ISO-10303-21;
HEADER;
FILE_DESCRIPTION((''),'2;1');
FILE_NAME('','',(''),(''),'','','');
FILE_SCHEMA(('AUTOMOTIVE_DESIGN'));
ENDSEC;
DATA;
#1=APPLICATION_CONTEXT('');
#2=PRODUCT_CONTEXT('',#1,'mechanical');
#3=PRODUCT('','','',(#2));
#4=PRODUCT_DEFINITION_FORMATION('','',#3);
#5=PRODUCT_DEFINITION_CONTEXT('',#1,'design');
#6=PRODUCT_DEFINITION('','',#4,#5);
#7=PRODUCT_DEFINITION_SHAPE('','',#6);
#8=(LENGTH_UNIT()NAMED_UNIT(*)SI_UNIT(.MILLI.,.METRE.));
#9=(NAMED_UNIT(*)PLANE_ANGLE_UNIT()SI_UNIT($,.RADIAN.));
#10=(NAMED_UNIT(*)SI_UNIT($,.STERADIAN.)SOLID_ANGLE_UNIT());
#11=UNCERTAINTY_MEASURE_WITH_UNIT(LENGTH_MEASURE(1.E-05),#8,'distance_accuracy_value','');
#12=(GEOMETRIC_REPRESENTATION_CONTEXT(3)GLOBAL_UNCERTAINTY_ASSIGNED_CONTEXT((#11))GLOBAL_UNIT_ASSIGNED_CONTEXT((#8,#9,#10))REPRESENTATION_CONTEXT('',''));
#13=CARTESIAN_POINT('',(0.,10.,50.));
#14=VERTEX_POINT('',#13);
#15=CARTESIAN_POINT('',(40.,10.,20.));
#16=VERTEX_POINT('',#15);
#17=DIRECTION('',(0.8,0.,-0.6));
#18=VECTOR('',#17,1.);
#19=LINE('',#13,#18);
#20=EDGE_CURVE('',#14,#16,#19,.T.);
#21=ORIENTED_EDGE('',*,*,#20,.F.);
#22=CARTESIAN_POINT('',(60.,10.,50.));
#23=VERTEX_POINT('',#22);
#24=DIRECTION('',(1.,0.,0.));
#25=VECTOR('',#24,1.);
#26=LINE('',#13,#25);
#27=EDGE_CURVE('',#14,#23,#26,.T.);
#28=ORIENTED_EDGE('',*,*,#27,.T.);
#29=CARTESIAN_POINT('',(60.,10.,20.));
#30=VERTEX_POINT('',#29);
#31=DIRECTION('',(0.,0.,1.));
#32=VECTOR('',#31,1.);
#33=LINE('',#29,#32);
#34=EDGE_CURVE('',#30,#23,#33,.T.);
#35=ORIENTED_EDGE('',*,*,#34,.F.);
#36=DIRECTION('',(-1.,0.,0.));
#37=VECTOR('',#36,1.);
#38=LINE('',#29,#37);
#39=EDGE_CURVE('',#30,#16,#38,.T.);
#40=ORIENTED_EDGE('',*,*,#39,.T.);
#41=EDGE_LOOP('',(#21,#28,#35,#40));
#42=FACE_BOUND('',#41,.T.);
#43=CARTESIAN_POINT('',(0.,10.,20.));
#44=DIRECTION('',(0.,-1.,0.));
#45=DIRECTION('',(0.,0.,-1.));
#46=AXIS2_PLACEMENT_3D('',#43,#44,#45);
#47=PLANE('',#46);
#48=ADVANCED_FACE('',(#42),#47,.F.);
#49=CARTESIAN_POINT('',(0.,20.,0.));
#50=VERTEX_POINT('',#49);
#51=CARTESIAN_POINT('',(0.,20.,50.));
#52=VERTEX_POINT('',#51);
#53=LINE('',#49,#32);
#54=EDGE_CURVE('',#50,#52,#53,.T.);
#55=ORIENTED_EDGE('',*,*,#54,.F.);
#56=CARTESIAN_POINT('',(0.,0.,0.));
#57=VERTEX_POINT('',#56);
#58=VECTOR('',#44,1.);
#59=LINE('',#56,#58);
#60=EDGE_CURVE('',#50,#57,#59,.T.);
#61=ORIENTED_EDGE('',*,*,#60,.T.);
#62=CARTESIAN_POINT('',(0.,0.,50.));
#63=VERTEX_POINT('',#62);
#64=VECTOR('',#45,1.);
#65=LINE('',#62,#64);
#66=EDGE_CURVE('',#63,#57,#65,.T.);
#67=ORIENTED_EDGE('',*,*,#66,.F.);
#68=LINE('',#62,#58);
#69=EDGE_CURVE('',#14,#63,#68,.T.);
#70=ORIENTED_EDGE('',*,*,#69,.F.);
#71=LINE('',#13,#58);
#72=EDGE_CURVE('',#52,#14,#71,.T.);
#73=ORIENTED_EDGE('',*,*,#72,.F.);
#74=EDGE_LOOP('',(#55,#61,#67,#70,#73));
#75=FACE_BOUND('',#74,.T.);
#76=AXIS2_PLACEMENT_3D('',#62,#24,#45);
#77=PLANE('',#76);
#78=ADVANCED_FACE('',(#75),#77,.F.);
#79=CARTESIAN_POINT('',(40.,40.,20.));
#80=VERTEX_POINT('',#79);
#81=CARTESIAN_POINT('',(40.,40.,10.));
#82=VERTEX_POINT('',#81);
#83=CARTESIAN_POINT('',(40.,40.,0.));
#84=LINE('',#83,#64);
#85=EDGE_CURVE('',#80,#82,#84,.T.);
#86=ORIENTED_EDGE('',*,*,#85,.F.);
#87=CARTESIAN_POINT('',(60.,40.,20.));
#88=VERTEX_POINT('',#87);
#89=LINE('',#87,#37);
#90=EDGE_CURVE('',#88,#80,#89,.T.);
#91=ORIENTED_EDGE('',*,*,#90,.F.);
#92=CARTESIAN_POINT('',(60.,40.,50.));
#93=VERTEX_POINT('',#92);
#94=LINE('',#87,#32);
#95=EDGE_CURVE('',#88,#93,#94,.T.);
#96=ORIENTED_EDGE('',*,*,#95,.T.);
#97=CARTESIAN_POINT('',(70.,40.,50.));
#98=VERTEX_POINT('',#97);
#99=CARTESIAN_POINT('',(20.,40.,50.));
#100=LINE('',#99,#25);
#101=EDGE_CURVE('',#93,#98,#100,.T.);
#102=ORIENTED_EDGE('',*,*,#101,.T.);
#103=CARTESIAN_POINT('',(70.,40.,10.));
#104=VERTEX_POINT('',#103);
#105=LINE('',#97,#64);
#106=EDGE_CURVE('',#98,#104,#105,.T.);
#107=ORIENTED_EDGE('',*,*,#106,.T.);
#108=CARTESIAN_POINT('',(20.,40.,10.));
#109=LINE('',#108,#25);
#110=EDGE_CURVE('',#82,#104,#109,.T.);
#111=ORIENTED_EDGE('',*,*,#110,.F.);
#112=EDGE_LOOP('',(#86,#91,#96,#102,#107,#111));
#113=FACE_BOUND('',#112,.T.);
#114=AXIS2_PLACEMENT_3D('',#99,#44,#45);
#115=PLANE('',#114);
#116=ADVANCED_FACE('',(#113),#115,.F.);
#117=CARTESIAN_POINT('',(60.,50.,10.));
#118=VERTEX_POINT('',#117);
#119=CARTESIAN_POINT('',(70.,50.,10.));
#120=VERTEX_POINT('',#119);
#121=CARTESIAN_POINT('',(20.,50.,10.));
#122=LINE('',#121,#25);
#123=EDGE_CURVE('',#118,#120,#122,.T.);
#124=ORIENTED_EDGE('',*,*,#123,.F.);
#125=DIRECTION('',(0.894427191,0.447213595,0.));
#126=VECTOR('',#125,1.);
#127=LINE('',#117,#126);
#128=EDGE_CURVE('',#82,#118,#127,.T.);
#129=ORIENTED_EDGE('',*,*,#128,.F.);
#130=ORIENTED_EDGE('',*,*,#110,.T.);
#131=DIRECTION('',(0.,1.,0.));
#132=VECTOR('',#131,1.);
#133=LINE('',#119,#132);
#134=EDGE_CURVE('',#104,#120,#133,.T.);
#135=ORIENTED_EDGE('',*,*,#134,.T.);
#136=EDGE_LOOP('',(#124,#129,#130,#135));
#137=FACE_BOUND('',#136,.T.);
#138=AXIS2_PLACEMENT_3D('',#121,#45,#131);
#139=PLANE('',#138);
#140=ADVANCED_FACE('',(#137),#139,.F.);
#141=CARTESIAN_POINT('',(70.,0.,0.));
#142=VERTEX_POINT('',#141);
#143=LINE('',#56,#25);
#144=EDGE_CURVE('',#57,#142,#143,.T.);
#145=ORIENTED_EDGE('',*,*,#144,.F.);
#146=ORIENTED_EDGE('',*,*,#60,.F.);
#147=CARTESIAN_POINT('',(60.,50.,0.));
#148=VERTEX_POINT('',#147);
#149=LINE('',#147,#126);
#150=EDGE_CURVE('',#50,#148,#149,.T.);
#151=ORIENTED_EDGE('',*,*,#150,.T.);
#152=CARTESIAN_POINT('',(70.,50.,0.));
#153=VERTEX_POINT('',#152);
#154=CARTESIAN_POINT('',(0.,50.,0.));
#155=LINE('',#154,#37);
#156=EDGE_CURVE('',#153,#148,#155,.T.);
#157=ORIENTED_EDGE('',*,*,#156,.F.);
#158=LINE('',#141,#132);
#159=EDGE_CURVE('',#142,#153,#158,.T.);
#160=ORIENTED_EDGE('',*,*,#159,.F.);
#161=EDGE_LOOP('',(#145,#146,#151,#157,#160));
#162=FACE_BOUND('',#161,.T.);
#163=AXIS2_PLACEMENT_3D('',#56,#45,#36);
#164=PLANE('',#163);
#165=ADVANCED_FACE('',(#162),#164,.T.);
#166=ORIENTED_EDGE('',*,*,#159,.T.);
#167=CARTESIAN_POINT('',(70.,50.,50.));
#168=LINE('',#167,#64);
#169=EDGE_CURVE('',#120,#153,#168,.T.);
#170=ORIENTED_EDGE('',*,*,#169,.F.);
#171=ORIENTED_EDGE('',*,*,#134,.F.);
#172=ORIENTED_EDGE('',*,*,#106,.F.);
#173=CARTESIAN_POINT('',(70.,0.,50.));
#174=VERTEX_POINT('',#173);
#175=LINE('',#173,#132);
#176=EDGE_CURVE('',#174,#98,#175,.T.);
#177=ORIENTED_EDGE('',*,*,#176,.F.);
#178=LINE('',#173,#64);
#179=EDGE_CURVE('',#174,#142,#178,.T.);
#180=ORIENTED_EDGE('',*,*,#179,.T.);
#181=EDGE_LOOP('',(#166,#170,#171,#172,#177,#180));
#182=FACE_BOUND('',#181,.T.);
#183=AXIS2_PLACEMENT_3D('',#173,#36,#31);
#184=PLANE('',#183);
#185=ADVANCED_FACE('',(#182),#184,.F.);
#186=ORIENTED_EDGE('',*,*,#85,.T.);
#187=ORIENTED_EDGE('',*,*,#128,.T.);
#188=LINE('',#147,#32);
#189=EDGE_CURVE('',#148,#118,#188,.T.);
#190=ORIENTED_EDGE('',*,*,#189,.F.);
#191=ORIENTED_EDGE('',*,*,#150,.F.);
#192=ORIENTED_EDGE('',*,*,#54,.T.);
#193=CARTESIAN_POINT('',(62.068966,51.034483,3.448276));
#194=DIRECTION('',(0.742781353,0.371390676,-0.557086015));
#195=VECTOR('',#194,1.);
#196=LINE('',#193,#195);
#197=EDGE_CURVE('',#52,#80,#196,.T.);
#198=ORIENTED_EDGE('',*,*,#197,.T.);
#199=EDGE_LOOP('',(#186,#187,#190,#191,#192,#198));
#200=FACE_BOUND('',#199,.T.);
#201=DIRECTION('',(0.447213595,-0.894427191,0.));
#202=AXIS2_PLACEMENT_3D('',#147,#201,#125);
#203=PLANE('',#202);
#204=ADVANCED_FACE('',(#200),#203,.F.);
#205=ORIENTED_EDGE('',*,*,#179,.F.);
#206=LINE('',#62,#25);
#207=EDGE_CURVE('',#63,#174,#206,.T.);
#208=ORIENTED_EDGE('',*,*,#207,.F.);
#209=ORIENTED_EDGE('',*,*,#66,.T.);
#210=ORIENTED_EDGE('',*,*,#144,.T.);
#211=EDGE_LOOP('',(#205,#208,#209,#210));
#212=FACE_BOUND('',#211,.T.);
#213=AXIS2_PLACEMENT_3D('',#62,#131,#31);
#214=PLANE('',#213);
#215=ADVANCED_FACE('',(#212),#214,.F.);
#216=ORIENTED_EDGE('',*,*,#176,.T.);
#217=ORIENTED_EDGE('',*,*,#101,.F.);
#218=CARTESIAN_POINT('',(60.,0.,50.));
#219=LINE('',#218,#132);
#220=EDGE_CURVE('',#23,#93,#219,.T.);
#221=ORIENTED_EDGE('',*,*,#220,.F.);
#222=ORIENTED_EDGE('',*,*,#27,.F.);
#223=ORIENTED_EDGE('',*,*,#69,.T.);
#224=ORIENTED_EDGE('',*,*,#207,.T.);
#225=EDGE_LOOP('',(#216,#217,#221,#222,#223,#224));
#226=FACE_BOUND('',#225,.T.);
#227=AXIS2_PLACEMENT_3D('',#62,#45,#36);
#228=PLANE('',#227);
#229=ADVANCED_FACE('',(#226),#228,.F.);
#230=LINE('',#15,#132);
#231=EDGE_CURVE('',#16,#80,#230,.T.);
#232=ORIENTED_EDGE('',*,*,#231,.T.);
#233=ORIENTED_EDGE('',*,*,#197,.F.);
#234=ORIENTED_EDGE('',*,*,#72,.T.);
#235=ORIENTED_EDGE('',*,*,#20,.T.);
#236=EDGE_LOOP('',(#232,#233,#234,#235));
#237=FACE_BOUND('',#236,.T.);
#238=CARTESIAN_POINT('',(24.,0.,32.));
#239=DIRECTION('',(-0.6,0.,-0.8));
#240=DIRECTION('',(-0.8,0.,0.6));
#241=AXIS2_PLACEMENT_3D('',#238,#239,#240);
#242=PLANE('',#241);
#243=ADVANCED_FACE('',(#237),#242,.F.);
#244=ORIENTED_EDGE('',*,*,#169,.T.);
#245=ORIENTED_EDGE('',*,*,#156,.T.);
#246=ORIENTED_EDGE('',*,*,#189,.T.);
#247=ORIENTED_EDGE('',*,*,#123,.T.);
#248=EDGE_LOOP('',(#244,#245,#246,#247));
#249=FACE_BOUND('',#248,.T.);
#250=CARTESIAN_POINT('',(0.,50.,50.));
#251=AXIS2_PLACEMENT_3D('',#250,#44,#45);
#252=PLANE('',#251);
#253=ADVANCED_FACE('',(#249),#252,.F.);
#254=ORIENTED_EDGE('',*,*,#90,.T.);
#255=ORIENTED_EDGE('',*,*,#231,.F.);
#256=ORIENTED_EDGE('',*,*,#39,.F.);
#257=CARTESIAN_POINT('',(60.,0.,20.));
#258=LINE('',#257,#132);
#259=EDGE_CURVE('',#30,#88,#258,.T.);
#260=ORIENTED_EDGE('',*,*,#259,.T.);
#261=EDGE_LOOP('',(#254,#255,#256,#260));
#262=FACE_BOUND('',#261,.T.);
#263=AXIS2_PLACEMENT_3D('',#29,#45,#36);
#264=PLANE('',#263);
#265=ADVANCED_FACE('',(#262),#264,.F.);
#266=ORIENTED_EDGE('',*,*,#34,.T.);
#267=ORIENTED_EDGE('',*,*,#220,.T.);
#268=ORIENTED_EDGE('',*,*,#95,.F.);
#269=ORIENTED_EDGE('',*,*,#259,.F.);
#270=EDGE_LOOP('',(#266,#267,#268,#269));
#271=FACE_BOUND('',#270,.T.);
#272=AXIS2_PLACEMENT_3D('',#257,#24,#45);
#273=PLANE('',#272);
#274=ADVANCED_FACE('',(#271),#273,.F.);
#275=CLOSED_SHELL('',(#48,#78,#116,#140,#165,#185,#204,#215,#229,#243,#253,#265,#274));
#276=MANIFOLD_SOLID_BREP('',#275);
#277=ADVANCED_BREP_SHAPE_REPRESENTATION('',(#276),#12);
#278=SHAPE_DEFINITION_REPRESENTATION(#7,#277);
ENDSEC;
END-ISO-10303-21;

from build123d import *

# Parameters (mm, degrees)
SKETCH1_W           = 70
SKETCH1_H           = 50
BOSS_EXTRUDE1_DEPTH = 50
CUT_EXTRUDE1_DEPTH  = 50
SKETCH3_W           = 40
SKETCH3_H           = 10
CUT_EXTRUDE2_DEPTH  = 50
CUT_EXTRUDE3_DEPTH  = 30
BOSS_EXTRUDE2_DEPTH = 30
SKETCH9_W           = 20
SKETCH9_H           = 10
BOSS_EXTRUDE3_DEPTH = 5
CUT_EXTRUDE5_DEPTH  = 5
SKETCH15_W          = 70
SKETCH15_H          = 50
CUT_EXTRUDE10_DEPTH = 19
CUT_EXTRUDE11_DEPTH = 19
SKETCH18_W          = 67.082039325
SKETCH18_H          = 30
BOSS_EXTRUDE8_DEPTH = 10
SKETCH19_W          = 50
SKETCH19_H          = 20
CUT_EXTRUDE12_DEPTH = 10
SKETCH20_W          = 45
SKETCH20_H          = 76.778692576
CUT_EXTRUDE13_DEPTH = 28
CUT_EXTRUDE14_DEPTH = 28
SKETCH22_W          = 20
SKETCH22_H          = 10
CUT_EXTRUDE15_DEPTH = 30
CUT_EXTRUDE16_DEPTH = 10
CUT_EXTRUDE17_DEPTH = 10
CUT_EXTRUDE18_DEPTH = 10
CUT_EXTRUDE19_DEPTH = 5


with BuildPart() as part:
    # Sketch1 → Boss-Extrude1 (new body)
    with BuildSketch(Plane.XY):
        with Locations((35, 25)):
            Rectangle(SKETCH1_W, SKETCH1_H)
    extrude(amount=BOSS_EXTRUDE1_DEPTH)

    # Sketch2 → Cut-Extrude1 (cut)
    with BuildSketch(Plane.XY.offset(50)):
        Polygon((0, 50), (60, 50), (0, 20), align=None)
    extrude(amount=-CUT_EXTRUDE1_DEPTH, mode=Mode.SUBTRACT)

    # Sketch3 → Cut-Extrude2 (cut)
    with BuildSketch(Plane(origin=(70, 0, 0), x_dir=(0, 0, -1), z_dir=(1, 0, 0))):
        with Locations((-30, 45)):
            Rectangle(SKETCH3_W, SKETCH3_H)
    extrude(amount=-CUT_EXTRUDE2_DEPTH, mode=Mode.SUBTRACT)

    # Sketch4 → Cut-Extrude3 (cut)
    with BuildSketch(Plane.XY.offset(50)):
        Polygon((60, 10), (60, 40), (40, 40), (0, 20), (0, 10), align=None)
    extrude(amount=-CUT_EXTRUDE3_DEPTH, mode=Mode.SUBTRACT)

    # Sketch8 → Boss-Extrude2 (add)
    with BuildSketch(Plane(origin=(-8, 16, 0), x_dir=(0.894427191, 0.447213595, 0), z_dir=(-0.447213595, 0.894427191, 0))):
        Polygon((8.94427191, -20), (8.94427191, -40), (53.66563146, -20), align=None)
    extrude(amount=-BOSS_EXTRUDE2_DEPTH)

    # Sketch9 → Boss-Extrude3 (add)
    with BuildSketch(Plane.ZY):
        with Locations((30, 15)):
            Rectangle(SKETCH9_W, SKETCH9_H)
    extrude(amount=-BOSS_EXTRUDE3_DEPTH)

    # Sketch10 → Cut-Extrude5 (cut)
    with BuildSketch(Plane.XZ):
        Polygon((10, 40), (27.082039325, 33.16718427), (27.082039325, 20), (10, 20), align=None)
    extrude(amount=CUT_EXTRUDE5_DEPTH, mode=Mode.SUBTRACT)

    # Sketch15 → Cut-Extrude10 (cut)
    with BuildSketch(Plane(origin=(0, 0, 0), x_dir=(-1, 0, 0), z_dir=(0, -1, 0))):
        with Locations((-35, -25)):
            Rectangle(SKETCH15_W, SKETCH15_H)
    extrude(amount=CUT_EXTRUDE10_DEPTH, mode=Mode.SUBTRACT)

    # Sketch16 → Cut-Extrude11 (cut)
    with BuildSketch(Plane(origin=(14.666666667, 7.333333333, 36.666666667), x_dir=(0.930949336, -0.071611487, -0.358057437), z_dir=(0.365148372, 0.182574186, 0.912870929))):
        Polygon((-15.754527229, 11.766968108), (-10.383665674, 12.159200379), (-10.383665674, 1.961161351), (-16.527761833, 3.611754734), align=None)
    extrude(amount=CUT_EXTRUDE11_DEPTH, mode=Mode.SUBTRACT)

    # Sketch18 → Boss-Extrude8 (add)
    with BuildSketch(Plane(origin=(20, 0, 40), x_dir=(0.894427191, 0, -0.447213595), z_dir=(0.447213595, 0, 0.894427191))):
        with Locations((11.180339888, 25)):
            Rectangle(SKETCH18_W, SKETCH18_H)
    extrude(amount=-BOSS_EXTRUDE8_DEPTH)

    # Sketch19 → Cut-Extrude12 (cut)
    with BuildSketch(Plane.ZY):
        with Locations((25, 10)):
            Rectangle(SKETCH19_W, SKETCH19_H)
    extrude(amount=CUT_EXTRUDE12_DEPTH, mode=Mode.SUBTRACT)

    # Sketch20 → Cut-Extrude13 (cut)
    with BuildSketch(Plane(origin=(-8, 16, 0), x_dir=(0.894427191, 0.447213595, 0), z_dir=(-0.447213595, 0.894427191, 0))):
        with Locations((31.44427191, -38.389346288)):
            Rectangle(SKETCH20_W, SKETCH20_H)
    extrude(amount=CUT_EXTRUDE13_DEPTH, mode=Mode.SUBTRACT)

    # Sketch21 → Cut-Extrude14 (cut)
    with BuildSketch(Plane(origin=(8, 4, 0), x_dir=(0, 0, -1), z_dir=(0.894427191, 0.447213595, 0))):
        Polygon((-50, 17.88854382), (-38.819660113, 17.88854382), (-41.05572809, 27.88854382), align=None)
    extrude(amount=-CUT_EXTRUDE14_DEPTH, mode=Mode.SUBTRACT)

    # Sketch22 → Cut-Extrude15 (cut)
    with BuildSketch(Plane(origin=(0, 40, 0), x_dir=(1, 0, 0), z_dir=(0, 1, 0))):
        with Locations((50, -25)):
            Rectangle(SKETCH22_W, SKETCH22_H)
    extrude(amount=-CUT_EXTRUDE15_DEPTH, mode=Mode.SUBTRACT)

    # Sketch23 → Cut-Extrude16 (cut)
    with BuildSketch(Plane(origin=(24, 0, 32), x_dir=(0.8, 0, -0.6), z_dir=(0.6, 0, 0.8))):
        Polygon((20, 40), (-30, 20), (-30, 10), (20, 10), align=None)
    extrude(amount=CUT_EXTRUDE16_DEPTH, mode=Mode.SUBTRACT)

    # Sketch24 → Cut-Extrude17 (cut)
    with BuildSketch(Plane(origin=(-8.827586207, 27.586206897, 6.620689655), x_dir=(0.954842468, 0.288908462, 0.069338031), z_dir=(0.297112541, -0.928476691, -0.222834406))):
        Polygon((51.136797811, 10.112827941), (51.136797811, 20.396796046), (9.245070791, 43.95190605), align=None)
    extrude(amount=-CUT_EXTRUDE17_DEPTH, mode=Mode.SUBTRACT)

    # Sketch25 → Cut-Extrude18 (cut)
    with BuildSketch(Plane(origin=(40, 0, 0), x_dir=(0, 0, -1), z_dir=(1, 0, 0))):
        Polygon((-30, 40), (-20, 40), (-30, 37.6), align=None)
    extrude(amount=-CUT_EXTRUDE18_DEPTH, mode=Mode.SUBTRACT)

    # Sketch26 → Cut-Extrude19 (cut)
    with BuildSketch(Plane(origin=(20, 0, 40), x_dir=(0.894427191, 0, -0.447213595), z_dir=(0.447213595, 0, 0.894427191))):
        Polygon((21.632516526, 39.674355495), (22.360679775, 40), (22.360679775, 37.6), align=None)
    extrude(amount=-CUT_EXTRUDE19_DEPTH, mode=Mode.SUBTRACT)


solid = part.part
